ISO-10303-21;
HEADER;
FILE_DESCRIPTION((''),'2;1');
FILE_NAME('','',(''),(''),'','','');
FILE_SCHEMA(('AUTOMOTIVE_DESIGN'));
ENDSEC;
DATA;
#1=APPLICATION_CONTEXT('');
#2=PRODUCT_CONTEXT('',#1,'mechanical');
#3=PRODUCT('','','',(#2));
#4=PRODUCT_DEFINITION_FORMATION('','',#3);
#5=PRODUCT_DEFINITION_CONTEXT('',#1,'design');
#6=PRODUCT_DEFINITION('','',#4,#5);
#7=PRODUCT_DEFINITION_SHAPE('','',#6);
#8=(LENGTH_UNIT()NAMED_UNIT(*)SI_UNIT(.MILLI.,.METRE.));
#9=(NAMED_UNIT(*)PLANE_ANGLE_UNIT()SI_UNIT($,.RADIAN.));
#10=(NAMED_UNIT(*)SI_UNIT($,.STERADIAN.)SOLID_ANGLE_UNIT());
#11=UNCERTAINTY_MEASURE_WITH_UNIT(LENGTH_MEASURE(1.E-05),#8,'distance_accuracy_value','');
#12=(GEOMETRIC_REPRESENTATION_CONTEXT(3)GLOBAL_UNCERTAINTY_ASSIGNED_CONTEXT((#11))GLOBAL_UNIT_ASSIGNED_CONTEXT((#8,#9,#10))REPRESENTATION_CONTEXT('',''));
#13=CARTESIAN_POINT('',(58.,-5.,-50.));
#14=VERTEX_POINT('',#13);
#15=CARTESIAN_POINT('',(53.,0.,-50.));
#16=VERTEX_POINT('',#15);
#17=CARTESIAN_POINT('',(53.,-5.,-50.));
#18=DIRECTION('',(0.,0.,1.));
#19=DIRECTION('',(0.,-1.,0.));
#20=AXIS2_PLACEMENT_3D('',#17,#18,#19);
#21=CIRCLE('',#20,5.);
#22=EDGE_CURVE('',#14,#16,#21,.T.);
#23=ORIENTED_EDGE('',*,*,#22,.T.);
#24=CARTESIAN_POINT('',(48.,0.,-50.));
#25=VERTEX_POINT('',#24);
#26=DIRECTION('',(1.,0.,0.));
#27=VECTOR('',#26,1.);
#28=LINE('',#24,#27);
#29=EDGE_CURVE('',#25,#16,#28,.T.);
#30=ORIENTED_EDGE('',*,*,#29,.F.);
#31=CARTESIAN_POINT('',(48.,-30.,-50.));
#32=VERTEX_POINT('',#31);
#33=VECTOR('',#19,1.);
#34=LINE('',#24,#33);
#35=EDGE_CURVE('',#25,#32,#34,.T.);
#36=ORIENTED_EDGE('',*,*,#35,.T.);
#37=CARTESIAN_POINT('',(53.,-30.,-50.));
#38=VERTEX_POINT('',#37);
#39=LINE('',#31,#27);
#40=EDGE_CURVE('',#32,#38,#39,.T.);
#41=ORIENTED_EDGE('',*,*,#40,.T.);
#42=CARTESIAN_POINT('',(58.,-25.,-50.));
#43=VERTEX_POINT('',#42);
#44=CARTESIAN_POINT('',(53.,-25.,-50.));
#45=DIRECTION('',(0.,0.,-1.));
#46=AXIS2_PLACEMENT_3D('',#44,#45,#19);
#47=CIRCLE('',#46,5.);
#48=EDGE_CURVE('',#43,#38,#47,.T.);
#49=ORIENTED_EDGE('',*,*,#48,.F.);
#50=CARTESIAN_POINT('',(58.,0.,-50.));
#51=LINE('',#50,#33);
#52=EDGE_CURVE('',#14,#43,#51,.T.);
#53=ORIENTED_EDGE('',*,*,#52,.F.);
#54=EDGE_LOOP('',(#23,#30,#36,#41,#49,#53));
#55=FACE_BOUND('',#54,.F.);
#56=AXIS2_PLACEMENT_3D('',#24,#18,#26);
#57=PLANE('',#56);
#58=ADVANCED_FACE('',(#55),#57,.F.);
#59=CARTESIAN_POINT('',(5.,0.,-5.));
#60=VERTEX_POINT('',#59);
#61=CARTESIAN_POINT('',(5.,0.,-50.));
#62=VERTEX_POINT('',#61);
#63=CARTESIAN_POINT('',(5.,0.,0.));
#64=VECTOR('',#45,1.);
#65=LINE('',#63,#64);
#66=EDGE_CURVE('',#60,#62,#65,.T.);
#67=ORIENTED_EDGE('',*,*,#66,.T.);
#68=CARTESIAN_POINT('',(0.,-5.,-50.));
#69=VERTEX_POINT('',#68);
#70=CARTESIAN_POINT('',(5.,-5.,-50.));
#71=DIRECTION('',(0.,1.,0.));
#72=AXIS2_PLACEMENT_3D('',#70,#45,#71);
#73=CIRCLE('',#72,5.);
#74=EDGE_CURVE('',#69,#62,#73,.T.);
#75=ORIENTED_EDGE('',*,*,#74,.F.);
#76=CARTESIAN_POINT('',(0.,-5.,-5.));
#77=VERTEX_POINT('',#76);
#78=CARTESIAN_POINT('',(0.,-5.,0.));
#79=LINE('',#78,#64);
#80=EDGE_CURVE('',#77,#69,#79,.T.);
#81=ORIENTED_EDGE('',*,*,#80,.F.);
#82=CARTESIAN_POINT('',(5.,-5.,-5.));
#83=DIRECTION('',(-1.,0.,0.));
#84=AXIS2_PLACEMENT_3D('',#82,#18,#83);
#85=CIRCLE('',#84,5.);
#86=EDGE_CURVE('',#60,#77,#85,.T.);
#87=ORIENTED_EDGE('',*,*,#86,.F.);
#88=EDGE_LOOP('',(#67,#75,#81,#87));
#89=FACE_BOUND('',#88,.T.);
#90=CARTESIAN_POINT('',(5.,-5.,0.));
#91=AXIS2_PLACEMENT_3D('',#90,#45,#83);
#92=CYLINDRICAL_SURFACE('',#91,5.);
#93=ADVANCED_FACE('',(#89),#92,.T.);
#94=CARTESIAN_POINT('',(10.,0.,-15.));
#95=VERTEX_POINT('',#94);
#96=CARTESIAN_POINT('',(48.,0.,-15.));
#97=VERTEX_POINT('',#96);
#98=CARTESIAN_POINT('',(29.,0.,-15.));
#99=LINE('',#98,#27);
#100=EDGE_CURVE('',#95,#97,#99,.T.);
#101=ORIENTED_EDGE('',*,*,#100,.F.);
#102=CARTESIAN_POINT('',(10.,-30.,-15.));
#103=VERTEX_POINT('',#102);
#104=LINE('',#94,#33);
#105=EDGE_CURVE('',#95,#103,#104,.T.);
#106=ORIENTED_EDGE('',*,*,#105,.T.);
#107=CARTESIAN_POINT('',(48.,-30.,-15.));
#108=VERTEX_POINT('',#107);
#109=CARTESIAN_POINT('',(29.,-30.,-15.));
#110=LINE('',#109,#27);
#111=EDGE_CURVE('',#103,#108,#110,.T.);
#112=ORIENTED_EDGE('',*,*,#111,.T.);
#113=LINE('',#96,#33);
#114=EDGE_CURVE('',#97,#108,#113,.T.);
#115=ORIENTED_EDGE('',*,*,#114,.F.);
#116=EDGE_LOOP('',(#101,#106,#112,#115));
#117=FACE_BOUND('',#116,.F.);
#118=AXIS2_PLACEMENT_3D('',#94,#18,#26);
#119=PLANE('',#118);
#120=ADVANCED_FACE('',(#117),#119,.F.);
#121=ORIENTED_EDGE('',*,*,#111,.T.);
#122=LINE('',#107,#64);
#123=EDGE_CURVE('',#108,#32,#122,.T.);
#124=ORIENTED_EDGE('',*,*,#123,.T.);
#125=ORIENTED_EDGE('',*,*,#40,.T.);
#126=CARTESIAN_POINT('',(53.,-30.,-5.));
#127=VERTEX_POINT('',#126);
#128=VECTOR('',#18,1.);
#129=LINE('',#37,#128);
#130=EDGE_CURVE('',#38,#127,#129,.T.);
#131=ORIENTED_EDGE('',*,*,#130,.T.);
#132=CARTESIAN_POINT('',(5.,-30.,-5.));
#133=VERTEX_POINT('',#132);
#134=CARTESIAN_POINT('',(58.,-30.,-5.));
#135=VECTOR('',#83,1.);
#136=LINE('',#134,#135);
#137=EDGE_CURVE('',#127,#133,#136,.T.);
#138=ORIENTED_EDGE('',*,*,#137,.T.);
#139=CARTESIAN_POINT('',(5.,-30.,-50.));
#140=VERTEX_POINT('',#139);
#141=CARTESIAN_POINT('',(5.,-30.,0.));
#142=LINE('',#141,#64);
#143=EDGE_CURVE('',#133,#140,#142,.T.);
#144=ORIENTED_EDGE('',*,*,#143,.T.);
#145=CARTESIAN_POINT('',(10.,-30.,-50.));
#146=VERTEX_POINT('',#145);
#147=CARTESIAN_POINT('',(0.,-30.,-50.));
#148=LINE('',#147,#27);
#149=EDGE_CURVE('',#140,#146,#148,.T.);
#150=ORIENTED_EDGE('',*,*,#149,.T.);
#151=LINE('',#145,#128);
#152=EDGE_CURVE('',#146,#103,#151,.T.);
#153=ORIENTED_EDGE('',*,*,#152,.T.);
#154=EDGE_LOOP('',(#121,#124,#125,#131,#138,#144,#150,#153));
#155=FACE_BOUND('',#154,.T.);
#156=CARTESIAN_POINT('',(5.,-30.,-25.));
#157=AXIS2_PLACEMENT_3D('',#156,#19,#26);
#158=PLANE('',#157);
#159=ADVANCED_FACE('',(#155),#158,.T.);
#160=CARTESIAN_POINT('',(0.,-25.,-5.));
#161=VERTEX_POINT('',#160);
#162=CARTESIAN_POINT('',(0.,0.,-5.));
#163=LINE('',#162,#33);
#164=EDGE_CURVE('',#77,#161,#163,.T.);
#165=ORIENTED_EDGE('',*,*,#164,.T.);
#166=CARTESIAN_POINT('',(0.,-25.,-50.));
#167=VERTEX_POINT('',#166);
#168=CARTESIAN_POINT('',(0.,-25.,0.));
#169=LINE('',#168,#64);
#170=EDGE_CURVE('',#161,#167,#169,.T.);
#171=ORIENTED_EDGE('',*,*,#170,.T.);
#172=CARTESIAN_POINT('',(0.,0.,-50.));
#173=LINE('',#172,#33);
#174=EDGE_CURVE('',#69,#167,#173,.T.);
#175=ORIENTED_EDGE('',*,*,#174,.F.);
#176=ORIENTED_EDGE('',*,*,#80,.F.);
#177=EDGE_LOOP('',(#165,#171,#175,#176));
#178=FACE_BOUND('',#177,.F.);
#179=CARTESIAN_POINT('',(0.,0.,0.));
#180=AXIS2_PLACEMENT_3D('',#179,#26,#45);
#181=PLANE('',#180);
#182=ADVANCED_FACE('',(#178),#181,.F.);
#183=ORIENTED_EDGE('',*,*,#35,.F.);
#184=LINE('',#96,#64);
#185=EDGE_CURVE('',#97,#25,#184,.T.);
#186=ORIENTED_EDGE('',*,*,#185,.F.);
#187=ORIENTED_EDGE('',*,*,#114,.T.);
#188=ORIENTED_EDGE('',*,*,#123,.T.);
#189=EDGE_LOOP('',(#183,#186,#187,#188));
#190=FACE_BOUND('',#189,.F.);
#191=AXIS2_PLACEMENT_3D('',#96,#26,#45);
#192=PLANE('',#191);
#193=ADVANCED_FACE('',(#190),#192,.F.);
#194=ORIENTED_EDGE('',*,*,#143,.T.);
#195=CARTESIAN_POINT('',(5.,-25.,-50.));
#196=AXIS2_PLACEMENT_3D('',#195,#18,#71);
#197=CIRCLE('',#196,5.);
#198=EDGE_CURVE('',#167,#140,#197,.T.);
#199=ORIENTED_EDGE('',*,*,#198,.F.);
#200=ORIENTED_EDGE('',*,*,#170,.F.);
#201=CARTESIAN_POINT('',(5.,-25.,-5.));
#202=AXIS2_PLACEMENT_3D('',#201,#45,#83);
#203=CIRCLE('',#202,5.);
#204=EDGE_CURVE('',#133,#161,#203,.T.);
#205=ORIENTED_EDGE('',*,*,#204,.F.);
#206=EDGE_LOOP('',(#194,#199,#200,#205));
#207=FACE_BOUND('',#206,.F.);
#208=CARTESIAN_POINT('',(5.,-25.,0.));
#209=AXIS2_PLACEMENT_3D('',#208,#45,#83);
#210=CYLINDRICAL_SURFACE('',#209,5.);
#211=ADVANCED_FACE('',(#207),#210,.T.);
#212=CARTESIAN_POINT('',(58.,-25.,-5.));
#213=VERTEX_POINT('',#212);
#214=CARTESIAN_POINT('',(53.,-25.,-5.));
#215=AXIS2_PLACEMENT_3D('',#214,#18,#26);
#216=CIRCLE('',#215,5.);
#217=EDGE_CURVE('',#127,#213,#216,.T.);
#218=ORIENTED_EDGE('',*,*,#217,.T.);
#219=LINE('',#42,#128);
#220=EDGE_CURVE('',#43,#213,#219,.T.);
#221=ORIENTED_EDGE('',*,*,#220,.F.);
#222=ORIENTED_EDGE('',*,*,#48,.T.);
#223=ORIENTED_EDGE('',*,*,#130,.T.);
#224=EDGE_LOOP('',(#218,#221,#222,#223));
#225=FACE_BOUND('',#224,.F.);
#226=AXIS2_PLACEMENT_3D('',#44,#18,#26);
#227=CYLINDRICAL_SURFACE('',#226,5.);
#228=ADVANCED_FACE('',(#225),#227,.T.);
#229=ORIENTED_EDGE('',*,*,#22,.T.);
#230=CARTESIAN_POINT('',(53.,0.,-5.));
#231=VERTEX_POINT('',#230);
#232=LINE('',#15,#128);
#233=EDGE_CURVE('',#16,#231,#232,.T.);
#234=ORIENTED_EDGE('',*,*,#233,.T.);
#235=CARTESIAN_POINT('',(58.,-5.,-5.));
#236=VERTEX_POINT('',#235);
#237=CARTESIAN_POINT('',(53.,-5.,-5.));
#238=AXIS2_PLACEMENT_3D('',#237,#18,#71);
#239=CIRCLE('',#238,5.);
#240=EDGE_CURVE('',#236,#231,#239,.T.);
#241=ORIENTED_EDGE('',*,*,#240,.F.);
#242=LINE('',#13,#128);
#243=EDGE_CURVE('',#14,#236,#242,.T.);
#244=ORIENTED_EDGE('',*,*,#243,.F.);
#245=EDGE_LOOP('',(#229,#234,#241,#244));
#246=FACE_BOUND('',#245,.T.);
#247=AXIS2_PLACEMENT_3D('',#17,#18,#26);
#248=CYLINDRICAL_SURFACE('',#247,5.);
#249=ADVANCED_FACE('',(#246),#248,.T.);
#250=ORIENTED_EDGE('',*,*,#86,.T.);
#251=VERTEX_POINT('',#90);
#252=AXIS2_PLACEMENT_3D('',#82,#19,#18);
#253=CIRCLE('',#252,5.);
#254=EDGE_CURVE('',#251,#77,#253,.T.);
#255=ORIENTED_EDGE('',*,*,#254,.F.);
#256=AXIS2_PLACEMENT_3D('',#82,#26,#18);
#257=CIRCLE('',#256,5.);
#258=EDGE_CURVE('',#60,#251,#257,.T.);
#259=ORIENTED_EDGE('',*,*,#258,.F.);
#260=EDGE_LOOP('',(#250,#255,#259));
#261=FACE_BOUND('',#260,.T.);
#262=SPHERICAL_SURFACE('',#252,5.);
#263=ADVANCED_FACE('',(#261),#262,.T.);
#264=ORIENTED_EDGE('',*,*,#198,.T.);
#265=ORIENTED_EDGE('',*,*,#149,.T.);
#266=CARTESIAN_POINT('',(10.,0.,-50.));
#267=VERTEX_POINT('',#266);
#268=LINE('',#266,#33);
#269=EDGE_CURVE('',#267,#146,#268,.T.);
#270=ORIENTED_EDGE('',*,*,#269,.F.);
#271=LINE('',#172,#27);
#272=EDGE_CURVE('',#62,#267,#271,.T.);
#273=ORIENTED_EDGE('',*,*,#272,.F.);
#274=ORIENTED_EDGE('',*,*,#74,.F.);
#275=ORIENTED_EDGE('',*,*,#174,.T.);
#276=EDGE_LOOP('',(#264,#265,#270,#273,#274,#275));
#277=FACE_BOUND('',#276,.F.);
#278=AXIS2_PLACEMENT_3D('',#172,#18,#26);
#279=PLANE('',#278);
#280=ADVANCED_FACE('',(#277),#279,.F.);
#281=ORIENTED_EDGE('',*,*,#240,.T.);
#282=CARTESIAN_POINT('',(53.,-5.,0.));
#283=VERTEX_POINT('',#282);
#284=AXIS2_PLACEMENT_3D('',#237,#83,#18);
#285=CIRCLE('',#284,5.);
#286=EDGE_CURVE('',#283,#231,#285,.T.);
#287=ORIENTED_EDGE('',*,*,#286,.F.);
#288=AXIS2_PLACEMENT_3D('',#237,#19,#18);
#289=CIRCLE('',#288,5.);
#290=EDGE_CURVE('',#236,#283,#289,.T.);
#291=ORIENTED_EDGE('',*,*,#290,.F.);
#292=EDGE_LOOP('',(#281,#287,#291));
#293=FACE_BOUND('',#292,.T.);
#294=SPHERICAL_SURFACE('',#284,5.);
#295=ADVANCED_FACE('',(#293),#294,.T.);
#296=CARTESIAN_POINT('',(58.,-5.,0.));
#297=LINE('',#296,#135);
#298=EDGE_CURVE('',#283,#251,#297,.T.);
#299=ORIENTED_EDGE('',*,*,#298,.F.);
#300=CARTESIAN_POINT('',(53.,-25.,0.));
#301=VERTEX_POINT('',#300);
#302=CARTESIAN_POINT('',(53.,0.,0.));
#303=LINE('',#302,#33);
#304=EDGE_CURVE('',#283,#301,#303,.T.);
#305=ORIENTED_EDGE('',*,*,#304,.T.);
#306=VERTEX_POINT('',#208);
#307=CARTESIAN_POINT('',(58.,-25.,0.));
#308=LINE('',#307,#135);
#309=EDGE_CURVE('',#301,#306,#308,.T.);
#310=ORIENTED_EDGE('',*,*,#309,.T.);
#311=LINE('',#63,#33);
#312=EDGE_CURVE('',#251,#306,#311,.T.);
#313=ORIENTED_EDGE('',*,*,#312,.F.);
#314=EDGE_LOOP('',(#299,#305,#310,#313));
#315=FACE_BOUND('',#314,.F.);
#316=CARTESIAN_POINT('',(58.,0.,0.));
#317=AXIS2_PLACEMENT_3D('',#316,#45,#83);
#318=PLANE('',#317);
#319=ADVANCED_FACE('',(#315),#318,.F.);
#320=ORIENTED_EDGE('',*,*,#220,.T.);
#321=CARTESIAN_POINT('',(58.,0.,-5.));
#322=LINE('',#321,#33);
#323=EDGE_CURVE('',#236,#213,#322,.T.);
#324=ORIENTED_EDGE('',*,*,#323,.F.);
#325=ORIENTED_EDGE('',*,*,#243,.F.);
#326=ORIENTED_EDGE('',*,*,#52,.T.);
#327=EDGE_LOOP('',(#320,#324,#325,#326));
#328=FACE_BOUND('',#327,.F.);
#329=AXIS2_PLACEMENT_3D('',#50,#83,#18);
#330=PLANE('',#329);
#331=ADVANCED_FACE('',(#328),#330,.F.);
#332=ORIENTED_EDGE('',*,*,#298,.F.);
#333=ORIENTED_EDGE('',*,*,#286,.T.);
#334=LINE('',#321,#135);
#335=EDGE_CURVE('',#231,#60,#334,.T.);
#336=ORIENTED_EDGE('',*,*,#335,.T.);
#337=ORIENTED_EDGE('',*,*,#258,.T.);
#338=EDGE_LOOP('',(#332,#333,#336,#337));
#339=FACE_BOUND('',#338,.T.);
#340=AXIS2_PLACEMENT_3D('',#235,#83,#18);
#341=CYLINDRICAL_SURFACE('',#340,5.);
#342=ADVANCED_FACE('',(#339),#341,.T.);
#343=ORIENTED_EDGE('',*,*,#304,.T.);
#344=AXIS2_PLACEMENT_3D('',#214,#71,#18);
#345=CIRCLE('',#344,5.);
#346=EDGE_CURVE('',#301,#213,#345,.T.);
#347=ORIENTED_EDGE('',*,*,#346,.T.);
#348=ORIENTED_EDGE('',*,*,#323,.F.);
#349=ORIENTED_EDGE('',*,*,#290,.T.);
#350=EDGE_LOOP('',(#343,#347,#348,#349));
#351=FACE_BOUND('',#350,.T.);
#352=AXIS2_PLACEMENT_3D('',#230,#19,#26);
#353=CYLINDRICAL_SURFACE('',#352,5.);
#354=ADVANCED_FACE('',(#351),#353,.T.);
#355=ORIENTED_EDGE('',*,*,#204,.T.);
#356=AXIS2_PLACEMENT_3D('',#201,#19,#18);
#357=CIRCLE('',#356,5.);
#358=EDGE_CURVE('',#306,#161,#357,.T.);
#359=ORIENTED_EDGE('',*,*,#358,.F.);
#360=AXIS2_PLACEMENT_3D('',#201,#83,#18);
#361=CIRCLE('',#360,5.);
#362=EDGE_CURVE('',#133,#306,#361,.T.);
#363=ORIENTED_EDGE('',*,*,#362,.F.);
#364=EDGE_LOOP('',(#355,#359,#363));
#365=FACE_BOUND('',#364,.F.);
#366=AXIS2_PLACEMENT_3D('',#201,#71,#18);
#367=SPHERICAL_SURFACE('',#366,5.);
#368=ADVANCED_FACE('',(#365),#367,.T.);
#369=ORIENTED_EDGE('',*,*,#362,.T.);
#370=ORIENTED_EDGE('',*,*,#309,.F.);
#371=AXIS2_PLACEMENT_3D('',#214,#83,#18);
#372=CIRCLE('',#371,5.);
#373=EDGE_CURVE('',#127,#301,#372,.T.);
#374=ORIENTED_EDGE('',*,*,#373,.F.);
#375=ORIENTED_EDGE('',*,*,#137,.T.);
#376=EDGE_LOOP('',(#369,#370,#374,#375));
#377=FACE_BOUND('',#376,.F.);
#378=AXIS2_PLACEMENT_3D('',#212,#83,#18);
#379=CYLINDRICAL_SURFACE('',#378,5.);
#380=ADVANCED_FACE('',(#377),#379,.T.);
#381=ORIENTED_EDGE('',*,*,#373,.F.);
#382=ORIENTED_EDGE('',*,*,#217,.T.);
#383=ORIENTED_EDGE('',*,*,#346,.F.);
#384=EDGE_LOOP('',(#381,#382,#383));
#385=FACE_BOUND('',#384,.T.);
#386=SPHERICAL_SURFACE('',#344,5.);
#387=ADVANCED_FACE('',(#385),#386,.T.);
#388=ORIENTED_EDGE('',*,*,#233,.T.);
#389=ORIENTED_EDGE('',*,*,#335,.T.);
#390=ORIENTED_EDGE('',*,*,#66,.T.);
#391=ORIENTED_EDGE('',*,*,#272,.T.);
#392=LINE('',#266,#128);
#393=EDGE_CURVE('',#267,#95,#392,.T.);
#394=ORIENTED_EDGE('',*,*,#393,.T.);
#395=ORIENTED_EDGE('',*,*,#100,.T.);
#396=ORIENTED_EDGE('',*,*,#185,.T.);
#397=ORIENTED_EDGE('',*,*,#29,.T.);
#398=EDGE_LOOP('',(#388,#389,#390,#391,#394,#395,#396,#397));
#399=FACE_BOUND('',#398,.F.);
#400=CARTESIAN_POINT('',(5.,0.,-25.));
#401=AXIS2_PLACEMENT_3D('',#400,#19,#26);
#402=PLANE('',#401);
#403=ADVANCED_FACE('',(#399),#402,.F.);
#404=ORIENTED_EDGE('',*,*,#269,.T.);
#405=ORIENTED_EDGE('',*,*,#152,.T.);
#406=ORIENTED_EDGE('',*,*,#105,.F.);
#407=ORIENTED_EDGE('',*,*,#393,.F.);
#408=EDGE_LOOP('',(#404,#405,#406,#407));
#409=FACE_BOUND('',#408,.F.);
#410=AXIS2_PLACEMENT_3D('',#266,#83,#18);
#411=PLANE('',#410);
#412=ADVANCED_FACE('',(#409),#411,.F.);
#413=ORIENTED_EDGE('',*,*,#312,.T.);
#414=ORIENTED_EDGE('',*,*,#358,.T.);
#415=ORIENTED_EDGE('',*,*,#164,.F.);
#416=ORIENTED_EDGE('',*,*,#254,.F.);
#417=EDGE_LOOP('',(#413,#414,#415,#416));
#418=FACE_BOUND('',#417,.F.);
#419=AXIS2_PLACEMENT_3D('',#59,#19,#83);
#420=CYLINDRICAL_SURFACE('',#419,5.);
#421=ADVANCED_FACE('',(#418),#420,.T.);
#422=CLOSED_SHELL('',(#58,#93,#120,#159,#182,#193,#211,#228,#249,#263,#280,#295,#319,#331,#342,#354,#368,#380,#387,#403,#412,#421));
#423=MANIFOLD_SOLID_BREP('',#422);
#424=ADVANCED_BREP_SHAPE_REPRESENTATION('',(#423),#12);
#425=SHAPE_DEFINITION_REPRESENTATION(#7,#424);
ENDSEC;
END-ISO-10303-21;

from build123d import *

# Parameters (mm, degrees)
F0_W     = 38
F0_H     = 15
F1_DEPTH = 30
F2_R     = 5


with BuildPart() as f1:
    # F0 (on Front) → F1 (new body)
    with BuildSketch(Plane.XZ):
        Polygon((10, 0), (0, 0), (0, -50), (10, -50), (10, -15), align=None)
        with Locations((29, -7.5)):
            Rectangle(F0_W, F0_H)
        Polygon((58, 0), (48, 0), (48, -15), (48, -50), (58, -50), align=None)
    extrude(amount=F1_DEPTH)

    # F2
    f2_edges = [f1.edges().sort_by_distance(p)[0] for p in [
        (0, -15, 0),
        (29, 0, 0),
        (58, -15, 0),
        (29, -30, 0),
        (0, 0, -25),
        (0, -30, -25),
        (58, -30, -25),
        (58, 0, -25),
    ]]
    fillet(f2_edges, radius=F2_R)


solid = f1.part
